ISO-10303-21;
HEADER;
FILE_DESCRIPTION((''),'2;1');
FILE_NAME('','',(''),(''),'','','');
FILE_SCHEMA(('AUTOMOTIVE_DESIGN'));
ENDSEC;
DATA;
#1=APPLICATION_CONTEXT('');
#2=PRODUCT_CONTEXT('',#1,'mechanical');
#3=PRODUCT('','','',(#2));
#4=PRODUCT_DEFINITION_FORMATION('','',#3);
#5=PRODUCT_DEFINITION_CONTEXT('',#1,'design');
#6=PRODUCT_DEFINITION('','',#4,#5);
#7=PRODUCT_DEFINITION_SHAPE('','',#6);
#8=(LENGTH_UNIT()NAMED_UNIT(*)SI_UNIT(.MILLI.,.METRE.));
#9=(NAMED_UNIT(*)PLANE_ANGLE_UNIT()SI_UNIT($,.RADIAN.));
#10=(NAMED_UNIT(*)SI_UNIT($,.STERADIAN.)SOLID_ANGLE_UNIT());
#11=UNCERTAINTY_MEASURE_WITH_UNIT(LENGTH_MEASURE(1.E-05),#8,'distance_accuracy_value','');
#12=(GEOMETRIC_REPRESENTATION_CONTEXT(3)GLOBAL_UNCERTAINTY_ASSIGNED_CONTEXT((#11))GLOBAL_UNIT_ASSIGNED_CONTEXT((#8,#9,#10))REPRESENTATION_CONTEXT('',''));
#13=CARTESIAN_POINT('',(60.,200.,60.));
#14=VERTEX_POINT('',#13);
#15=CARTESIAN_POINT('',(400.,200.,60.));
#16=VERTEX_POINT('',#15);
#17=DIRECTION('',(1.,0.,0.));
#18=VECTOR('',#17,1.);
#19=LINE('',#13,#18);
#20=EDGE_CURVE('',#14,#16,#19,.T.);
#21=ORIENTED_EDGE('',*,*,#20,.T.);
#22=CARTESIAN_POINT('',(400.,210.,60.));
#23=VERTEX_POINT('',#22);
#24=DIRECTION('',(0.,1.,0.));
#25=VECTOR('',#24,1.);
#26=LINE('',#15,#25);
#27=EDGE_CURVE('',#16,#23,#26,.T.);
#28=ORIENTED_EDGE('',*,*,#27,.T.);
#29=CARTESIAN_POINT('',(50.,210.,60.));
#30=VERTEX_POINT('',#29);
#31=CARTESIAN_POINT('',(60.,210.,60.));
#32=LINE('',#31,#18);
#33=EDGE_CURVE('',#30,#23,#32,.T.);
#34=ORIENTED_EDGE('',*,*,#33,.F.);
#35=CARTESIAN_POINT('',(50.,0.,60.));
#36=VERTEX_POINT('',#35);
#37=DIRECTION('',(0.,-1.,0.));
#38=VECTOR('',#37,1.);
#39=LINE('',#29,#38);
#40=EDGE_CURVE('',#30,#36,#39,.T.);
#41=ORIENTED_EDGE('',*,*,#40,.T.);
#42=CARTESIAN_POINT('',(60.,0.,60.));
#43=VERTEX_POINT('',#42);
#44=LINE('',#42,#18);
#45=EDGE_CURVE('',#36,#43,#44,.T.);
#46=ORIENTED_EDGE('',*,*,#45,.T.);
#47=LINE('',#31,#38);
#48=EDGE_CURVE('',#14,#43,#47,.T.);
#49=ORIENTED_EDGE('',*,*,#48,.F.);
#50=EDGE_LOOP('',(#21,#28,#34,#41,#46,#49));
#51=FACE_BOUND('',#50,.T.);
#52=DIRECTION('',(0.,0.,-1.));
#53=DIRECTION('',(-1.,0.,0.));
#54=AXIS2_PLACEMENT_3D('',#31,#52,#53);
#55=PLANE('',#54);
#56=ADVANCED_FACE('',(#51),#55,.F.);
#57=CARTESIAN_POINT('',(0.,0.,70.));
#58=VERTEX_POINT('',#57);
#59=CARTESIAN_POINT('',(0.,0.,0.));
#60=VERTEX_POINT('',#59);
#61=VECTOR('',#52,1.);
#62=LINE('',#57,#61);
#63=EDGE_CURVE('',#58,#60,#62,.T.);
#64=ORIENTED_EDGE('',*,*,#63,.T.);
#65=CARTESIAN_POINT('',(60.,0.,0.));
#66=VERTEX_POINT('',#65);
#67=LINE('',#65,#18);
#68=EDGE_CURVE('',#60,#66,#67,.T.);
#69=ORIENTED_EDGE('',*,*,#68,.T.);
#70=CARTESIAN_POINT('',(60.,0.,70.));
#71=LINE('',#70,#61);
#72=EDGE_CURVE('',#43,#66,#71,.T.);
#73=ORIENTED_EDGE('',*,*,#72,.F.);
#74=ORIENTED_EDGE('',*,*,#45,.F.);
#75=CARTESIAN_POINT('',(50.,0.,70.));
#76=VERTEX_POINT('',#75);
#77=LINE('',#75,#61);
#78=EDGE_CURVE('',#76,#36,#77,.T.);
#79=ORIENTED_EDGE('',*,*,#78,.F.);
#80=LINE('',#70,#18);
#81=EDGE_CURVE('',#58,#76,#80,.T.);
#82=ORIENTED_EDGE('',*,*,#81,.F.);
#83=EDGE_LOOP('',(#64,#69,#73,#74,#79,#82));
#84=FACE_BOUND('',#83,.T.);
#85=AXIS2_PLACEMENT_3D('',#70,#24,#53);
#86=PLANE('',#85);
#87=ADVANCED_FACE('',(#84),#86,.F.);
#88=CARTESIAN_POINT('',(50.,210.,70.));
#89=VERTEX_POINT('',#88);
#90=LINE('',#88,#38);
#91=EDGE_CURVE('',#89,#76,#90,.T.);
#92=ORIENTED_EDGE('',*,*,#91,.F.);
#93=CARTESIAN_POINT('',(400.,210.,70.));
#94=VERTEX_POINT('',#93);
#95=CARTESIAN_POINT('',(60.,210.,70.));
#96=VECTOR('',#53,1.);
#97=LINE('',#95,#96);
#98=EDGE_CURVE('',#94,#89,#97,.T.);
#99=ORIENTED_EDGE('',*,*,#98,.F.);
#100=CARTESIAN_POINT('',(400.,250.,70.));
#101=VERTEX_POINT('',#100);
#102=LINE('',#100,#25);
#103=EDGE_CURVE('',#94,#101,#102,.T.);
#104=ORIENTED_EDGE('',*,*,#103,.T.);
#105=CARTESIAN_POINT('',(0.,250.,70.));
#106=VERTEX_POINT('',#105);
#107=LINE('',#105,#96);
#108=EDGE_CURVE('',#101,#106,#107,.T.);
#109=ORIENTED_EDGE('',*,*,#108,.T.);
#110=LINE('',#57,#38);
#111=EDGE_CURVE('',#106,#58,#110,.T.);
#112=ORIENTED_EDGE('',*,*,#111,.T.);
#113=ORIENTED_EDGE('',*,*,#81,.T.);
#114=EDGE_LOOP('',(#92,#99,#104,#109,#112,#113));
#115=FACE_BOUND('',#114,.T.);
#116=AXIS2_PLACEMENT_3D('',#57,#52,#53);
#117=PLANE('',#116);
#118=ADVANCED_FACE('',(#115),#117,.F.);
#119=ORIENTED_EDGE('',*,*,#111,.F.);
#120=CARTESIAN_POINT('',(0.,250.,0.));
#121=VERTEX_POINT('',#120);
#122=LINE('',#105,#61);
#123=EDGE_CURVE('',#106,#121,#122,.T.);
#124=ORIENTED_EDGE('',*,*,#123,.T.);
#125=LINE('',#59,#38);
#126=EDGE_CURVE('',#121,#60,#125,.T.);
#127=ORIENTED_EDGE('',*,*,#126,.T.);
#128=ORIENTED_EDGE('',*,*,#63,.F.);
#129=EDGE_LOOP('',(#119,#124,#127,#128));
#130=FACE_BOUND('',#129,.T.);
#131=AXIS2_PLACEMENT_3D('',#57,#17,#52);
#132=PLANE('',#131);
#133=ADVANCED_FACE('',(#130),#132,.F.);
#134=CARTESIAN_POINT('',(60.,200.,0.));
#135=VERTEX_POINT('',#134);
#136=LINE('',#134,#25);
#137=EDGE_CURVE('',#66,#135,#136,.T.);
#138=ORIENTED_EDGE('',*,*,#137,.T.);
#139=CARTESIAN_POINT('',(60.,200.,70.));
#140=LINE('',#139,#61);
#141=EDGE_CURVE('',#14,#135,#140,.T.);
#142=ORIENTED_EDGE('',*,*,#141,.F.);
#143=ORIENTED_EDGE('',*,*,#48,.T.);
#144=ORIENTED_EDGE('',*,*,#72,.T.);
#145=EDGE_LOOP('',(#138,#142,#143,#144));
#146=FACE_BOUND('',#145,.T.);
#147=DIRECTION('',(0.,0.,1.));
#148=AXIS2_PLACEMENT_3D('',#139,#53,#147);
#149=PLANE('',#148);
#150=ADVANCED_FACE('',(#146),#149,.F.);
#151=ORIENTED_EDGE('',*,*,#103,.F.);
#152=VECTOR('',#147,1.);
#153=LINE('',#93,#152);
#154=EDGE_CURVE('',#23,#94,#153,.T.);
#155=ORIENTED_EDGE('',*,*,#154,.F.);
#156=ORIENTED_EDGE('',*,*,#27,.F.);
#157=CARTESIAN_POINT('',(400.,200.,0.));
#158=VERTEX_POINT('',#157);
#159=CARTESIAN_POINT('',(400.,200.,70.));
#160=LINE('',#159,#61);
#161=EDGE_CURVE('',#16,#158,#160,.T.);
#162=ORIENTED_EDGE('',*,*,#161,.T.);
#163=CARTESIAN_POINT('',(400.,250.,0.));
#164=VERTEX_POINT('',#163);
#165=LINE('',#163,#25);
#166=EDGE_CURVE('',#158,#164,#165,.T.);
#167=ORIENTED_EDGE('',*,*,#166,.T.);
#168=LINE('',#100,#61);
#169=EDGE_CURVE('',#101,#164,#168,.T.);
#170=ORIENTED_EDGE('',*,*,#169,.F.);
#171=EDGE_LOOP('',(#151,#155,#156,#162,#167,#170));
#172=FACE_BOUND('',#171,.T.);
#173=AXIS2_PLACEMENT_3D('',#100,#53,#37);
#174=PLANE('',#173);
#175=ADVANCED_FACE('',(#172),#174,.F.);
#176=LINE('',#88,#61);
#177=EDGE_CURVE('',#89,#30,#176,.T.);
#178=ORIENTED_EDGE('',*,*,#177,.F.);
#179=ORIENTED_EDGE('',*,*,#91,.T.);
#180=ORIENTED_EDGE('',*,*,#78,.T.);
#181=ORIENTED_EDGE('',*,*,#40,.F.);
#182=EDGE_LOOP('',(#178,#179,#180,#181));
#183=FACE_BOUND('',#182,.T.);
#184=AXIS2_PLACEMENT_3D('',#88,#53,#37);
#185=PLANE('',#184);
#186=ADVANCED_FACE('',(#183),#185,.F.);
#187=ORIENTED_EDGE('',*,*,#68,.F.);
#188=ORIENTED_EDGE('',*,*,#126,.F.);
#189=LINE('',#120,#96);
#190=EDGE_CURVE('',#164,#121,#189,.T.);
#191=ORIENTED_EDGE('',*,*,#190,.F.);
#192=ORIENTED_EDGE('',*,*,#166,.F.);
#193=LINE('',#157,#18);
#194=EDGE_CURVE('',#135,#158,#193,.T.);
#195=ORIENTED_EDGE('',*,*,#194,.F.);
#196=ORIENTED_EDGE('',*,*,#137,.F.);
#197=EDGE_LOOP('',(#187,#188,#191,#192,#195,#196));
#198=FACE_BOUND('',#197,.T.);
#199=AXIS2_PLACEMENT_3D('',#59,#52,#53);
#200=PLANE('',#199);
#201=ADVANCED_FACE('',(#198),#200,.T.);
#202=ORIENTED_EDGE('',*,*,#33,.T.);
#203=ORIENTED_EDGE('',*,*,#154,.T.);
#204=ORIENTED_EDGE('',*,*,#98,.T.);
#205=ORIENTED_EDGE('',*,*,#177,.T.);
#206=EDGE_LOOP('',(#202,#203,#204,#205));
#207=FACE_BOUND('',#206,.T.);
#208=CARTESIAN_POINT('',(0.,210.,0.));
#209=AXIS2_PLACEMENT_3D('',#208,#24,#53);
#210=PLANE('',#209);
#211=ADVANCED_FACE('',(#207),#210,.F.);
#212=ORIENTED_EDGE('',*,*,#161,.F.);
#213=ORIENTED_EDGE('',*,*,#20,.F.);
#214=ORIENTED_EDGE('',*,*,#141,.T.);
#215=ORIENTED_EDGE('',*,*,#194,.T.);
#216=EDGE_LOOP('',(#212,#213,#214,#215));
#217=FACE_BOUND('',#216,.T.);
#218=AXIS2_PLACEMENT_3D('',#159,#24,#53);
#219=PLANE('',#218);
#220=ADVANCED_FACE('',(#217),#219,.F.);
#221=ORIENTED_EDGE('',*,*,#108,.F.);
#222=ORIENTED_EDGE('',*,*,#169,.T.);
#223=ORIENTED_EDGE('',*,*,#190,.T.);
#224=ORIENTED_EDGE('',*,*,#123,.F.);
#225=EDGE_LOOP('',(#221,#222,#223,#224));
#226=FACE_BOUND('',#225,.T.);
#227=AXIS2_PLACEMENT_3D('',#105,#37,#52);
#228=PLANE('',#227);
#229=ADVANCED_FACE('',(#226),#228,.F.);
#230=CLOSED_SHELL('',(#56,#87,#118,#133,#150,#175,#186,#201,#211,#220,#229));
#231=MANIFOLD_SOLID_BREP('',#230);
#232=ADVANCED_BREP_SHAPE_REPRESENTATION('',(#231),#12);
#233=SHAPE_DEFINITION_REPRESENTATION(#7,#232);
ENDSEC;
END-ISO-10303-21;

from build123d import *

# Parameters (mm, degrees)
EXTRUDE_1_DEPTH     = 70
SKETCH_3_W          = 10
SKETCH_3_H          = 10
CUT_EXTRUDE_1_DEPTH = 210
SKETCH_4_W          = 10
SKETCH_4_H          = 10
CUT_EXTRUDE_2_DEPTH = 340


with BuildPart() as part:
    # Эскиз2 → Бобышка-Вытянуть1 (new body)
    with BuildSketch(Plane.XY):
        Polygon((0, 0), (0, 250), (400, 250), (400, 200), (60, 200), (60, 0), align=None)
    extrude(amount=EXTRUDE_1_DEPTH)

    # Эскиз3 → Вырез-Вытянуть1 (cut)
    with BuildSketch(Plane.XZ):
        with Locations((55, 65)):
            Rectangle(SKETCH_3_W, SKETCH_3_H)
    extrude(amount=-CUT_EXTRUDE_1_DEPTH, mode=Mode.SUBTRACT)

    # Эскиз4 → Вырез-Вытянуть2 (cut)
    with BuildSketch(Plane(origin=(400, 0, 0), x_dir=(0, 0, -1), z_dir=(1, 0, 0))):
        with Locations((-65, 205)):
            Rectangle(SKETCH_4_W, SKETCH_4_H)
    extrude(amount=-CUT_EXTRUDE_2_DEPTH, mode=Mode.SUBTRACT)


solid = part.part
